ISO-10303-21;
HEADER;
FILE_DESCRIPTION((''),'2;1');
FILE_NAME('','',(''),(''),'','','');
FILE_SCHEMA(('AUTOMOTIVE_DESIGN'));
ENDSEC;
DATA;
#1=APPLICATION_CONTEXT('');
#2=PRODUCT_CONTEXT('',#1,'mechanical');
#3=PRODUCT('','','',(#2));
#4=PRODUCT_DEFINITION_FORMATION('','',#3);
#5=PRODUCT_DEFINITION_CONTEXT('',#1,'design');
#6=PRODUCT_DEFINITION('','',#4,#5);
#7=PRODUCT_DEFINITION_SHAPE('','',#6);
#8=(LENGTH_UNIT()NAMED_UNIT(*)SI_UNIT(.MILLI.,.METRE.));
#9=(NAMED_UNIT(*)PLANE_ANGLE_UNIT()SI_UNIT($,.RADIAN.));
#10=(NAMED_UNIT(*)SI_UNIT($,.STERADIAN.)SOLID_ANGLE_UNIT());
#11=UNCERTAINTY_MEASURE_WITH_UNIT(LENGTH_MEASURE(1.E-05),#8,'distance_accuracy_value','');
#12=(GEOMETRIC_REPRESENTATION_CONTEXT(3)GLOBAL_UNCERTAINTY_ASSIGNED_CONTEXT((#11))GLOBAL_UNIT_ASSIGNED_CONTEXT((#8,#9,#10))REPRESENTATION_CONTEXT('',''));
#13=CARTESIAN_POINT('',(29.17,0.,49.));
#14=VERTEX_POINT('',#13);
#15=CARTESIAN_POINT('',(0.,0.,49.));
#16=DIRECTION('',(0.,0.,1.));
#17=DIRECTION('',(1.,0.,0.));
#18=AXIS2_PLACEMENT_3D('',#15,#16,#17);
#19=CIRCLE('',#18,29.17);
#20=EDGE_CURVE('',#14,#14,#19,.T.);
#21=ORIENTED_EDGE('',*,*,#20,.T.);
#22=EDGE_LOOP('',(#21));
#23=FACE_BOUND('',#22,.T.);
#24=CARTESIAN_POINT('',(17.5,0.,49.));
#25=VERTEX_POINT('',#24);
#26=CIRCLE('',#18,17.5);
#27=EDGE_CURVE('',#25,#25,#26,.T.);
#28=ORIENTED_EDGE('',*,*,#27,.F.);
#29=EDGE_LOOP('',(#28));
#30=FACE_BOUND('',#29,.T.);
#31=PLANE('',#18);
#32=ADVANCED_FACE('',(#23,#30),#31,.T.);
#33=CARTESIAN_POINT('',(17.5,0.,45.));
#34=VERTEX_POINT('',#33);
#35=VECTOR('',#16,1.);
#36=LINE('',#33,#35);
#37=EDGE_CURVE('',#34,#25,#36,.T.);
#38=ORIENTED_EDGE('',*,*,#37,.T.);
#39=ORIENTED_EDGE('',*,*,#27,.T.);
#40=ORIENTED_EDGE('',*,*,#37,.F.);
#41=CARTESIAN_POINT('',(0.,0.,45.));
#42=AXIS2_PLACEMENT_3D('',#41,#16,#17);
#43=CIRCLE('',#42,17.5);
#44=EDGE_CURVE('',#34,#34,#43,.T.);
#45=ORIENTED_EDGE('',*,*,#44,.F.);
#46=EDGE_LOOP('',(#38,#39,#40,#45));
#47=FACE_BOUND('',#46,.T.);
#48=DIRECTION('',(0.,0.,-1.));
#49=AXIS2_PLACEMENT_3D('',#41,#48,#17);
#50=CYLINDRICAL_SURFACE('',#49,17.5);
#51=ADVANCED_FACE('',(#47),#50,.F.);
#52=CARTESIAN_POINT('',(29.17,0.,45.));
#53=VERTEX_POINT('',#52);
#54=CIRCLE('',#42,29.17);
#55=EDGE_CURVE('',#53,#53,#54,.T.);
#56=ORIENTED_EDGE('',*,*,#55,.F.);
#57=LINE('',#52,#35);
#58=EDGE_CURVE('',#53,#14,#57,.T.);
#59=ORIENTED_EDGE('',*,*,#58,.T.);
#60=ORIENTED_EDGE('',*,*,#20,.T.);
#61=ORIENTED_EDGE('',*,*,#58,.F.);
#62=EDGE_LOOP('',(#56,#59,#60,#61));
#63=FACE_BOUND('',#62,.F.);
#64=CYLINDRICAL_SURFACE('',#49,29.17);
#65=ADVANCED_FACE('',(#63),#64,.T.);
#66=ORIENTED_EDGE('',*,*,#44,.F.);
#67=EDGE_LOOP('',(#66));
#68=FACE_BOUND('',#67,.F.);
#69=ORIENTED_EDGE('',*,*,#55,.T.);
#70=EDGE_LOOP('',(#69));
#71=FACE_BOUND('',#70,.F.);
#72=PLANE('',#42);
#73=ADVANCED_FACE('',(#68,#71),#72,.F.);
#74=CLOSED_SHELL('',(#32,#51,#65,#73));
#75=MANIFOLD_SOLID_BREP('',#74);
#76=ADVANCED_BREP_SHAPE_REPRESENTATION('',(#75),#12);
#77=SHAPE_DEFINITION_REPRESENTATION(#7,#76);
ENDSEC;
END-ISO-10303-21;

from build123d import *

# Parameters (mm, degrees)
CYLINDER008_R     = 17.5
CYLINDER008_DEPTH = 4
CYLINDER007_R     = 29.17
CYLINDER007_DEPTH = 4


with BuildPart() as cylinder008:
    # Cylinder008 → Cylinder008 (new body)
    with BuildSketch(Plane.XY.offset(45)):
        Circle(CYLINDER008_R)
    extrude(amount=CYLINDER008_DEPTH)


with BuildPart() as cut007:
    # Cylinder007 → Cylinder007 (new body)
    with BuildSketch(Plane.XY.offset(45)):
        Circle(CYLINDER007_R)
    extrude(amount=CYLINDER007_DEPTH)

    # Cut007: cut Cylinder008
    add(cylinder008.part, mode=Mode.SUBTRACT)


solid = cut007.part
